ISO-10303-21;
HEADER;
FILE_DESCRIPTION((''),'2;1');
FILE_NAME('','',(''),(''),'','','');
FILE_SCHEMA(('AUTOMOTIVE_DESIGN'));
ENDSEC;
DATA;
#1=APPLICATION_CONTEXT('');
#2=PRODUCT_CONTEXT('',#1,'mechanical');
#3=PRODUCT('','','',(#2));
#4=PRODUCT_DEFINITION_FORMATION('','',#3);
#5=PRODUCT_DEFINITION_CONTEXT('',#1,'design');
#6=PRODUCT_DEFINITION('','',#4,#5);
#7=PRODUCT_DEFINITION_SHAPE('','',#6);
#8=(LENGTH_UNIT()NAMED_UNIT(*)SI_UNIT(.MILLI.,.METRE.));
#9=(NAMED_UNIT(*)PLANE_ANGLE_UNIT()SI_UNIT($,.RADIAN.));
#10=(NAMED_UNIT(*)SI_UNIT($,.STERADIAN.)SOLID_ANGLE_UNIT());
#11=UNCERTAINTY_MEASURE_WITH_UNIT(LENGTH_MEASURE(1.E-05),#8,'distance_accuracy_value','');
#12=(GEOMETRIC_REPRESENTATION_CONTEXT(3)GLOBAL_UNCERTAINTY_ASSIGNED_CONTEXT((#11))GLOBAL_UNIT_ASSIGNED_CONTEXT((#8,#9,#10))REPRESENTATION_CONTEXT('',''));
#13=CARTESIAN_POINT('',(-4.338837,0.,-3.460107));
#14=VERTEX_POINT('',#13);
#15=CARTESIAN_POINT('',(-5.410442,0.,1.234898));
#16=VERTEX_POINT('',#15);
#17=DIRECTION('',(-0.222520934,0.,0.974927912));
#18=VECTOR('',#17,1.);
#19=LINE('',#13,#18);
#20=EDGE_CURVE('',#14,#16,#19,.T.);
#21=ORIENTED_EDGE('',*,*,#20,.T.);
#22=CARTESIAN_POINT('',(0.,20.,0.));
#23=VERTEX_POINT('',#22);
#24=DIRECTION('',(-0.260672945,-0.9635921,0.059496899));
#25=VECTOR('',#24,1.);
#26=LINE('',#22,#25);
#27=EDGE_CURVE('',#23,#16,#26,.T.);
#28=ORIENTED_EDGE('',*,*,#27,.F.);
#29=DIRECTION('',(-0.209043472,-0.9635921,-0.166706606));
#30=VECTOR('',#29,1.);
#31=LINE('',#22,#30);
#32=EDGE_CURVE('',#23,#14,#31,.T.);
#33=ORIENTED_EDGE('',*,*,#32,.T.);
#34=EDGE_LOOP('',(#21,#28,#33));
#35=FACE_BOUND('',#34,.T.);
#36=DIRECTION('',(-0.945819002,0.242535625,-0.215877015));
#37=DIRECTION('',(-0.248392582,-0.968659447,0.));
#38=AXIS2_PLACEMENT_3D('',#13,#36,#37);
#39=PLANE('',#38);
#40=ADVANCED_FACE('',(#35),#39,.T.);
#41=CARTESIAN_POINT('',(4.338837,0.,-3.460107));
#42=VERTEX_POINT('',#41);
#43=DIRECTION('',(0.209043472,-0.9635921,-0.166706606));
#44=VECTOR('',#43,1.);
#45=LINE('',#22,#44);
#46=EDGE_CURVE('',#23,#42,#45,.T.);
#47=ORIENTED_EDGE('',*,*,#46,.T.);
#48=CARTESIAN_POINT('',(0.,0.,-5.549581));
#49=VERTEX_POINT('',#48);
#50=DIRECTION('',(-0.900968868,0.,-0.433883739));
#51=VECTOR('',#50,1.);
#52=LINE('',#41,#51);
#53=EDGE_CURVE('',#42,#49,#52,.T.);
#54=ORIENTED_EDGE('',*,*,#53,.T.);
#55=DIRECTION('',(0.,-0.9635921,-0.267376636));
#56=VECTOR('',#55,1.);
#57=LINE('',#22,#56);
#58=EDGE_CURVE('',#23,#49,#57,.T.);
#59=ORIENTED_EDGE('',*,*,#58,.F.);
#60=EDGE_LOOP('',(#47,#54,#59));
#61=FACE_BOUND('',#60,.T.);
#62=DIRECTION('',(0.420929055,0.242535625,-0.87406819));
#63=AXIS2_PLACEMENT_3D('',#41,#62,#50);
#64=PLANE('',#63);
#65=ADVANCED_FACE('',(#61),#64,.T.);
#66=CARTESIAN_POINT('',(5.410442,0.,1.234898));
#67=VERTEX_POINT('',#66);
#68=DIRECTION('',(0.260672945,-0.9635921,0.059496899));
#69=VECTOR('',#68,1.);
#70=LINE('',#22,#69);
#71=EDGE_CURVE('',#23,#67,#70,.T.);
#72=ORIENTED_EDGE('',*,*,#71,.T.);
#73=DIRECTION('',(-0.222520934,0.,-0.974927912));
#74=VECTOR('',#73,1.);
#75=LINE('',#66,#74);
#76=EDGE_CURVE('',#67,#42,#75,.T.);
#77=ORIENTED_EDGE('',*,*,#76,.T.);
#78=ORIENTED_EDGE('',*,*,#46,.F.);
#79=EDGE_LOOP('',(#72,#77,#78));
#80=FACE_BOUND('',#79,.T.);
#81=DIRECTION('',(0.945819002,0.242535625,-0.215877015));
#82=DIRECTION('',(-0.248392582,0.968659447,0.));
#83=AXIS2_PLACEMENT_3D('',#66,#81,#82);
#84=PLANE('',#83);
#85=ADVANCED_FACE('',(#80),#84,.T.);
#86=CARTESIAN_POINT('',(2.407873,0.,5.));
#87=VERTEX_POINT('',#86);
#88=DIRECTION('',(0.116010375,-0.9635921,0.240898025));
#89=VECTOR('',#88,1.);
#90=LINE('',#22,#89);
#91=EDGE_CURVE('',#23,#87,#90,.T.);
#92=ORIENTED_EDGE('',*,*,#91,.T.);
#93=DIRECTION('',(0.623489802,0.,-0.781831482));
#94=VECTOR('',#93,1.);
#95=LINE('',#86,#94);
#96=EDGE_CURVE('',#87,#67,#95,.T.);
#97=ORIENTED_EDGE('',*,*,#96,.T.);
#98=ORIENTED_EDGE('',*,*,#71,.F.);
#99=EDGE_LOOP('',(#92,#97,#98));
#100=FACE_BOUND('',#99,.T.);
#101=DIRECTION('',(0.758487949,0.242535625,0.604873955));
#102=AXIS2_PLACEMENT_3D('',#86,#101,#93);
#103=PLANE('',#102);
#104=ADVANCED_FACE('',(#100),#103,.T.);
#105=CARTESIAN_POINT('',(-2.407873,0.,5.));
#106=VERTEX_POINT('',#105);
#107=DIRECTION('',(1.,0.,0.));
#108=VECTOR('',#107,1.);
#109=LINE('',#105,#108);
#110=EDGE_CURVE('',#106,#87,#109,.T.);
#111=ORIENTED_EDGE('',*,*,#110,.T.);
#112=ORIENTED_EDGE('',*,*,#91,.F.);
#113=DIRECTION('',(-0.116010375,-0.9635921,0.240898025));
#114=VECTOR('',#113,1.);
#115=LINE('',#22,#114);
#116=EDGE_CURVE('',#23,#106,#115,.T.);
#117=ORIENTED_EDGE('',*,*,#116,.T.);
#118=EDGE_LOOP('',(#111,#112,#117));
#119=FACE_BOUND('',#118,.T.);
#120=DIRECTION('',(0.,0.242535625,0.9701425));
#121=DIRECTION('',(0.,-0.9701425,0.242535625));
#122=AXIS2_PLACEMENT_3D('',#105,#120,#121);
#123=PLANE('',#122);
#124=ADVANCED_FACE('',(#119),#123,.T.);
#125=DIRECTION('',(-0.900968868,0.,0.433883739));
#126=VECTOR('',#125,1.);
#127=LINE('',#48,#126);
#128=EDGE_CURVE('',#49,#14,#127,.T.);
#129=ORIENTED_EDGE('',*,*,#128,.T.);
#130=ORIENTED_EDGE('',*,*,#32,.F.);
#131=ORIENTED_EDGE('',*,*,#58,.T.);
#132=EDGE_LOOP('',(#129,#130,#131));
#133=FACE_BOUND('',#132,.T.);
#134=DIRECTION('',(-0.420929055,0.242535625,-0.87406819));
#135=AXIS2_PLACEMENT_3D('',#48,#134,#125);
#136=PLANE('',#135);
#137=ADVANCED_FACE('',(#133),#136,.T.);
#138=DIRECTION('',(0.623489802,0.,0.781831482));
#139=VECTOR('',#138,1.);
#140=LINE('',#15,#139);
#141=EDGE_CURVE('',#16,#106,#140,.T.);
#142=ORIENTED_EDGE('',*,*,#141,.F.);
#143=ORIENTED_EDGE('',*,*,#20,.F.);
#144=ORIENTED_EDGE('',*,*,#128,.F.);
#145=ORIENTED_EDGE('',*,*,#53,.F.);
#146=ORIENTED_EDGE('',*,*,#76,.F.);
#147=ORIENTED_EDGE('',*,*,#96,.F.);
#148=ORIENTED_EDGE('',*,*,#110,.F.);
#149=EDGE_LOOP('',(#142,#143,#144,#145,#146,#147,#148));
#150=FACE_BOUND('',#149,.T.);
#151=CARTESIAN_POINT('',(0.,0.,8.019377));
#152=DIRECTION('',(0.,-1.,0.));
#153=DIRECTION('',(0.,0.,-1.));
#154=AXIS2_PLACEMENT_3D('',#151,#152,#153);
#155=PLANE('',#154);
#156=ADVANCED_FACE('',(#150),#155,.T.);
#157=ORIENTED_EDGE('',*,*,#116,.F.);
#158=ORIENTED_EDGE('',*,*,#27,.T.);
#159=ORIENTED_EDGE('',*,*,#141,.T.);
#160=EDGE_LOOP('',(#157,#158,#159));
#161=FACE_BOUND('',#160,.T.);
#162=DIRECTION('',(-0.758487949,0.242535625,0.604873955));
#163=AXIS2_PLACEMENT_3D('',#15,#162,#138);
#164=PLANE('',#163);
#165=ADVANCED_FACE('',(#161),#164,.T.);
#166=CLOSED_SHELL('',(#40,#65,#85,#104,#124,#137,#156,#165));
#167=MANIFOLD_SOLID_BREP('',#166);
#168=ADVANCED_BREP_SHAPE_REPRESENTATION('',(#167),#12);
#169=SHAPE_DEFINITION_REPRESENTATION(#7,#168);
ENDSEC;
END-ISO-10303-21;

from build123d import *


with BuildPart() as part:
    # Sketch1 → Loft1 section 0
    with BuildSketch(Plane(origin=(0, 0, 0), x_dir=(1, 0, 0), z_dir=(0, 1, 0)), mode=Mode.PRIVATE) as loft1_s0:
        Polygon((5.410441731, -1.234898019), (4.338837391, 3.460107358), (0, 5.549581321), (-4.338837391, 3.460107358), (-5.410441731, -1.234898019), (-2.407873094, -5), (2.407873094, -5), align=None)
    loft([Vertex(0, 20, 0), loft1_s0.sketch])


solid = part.part
